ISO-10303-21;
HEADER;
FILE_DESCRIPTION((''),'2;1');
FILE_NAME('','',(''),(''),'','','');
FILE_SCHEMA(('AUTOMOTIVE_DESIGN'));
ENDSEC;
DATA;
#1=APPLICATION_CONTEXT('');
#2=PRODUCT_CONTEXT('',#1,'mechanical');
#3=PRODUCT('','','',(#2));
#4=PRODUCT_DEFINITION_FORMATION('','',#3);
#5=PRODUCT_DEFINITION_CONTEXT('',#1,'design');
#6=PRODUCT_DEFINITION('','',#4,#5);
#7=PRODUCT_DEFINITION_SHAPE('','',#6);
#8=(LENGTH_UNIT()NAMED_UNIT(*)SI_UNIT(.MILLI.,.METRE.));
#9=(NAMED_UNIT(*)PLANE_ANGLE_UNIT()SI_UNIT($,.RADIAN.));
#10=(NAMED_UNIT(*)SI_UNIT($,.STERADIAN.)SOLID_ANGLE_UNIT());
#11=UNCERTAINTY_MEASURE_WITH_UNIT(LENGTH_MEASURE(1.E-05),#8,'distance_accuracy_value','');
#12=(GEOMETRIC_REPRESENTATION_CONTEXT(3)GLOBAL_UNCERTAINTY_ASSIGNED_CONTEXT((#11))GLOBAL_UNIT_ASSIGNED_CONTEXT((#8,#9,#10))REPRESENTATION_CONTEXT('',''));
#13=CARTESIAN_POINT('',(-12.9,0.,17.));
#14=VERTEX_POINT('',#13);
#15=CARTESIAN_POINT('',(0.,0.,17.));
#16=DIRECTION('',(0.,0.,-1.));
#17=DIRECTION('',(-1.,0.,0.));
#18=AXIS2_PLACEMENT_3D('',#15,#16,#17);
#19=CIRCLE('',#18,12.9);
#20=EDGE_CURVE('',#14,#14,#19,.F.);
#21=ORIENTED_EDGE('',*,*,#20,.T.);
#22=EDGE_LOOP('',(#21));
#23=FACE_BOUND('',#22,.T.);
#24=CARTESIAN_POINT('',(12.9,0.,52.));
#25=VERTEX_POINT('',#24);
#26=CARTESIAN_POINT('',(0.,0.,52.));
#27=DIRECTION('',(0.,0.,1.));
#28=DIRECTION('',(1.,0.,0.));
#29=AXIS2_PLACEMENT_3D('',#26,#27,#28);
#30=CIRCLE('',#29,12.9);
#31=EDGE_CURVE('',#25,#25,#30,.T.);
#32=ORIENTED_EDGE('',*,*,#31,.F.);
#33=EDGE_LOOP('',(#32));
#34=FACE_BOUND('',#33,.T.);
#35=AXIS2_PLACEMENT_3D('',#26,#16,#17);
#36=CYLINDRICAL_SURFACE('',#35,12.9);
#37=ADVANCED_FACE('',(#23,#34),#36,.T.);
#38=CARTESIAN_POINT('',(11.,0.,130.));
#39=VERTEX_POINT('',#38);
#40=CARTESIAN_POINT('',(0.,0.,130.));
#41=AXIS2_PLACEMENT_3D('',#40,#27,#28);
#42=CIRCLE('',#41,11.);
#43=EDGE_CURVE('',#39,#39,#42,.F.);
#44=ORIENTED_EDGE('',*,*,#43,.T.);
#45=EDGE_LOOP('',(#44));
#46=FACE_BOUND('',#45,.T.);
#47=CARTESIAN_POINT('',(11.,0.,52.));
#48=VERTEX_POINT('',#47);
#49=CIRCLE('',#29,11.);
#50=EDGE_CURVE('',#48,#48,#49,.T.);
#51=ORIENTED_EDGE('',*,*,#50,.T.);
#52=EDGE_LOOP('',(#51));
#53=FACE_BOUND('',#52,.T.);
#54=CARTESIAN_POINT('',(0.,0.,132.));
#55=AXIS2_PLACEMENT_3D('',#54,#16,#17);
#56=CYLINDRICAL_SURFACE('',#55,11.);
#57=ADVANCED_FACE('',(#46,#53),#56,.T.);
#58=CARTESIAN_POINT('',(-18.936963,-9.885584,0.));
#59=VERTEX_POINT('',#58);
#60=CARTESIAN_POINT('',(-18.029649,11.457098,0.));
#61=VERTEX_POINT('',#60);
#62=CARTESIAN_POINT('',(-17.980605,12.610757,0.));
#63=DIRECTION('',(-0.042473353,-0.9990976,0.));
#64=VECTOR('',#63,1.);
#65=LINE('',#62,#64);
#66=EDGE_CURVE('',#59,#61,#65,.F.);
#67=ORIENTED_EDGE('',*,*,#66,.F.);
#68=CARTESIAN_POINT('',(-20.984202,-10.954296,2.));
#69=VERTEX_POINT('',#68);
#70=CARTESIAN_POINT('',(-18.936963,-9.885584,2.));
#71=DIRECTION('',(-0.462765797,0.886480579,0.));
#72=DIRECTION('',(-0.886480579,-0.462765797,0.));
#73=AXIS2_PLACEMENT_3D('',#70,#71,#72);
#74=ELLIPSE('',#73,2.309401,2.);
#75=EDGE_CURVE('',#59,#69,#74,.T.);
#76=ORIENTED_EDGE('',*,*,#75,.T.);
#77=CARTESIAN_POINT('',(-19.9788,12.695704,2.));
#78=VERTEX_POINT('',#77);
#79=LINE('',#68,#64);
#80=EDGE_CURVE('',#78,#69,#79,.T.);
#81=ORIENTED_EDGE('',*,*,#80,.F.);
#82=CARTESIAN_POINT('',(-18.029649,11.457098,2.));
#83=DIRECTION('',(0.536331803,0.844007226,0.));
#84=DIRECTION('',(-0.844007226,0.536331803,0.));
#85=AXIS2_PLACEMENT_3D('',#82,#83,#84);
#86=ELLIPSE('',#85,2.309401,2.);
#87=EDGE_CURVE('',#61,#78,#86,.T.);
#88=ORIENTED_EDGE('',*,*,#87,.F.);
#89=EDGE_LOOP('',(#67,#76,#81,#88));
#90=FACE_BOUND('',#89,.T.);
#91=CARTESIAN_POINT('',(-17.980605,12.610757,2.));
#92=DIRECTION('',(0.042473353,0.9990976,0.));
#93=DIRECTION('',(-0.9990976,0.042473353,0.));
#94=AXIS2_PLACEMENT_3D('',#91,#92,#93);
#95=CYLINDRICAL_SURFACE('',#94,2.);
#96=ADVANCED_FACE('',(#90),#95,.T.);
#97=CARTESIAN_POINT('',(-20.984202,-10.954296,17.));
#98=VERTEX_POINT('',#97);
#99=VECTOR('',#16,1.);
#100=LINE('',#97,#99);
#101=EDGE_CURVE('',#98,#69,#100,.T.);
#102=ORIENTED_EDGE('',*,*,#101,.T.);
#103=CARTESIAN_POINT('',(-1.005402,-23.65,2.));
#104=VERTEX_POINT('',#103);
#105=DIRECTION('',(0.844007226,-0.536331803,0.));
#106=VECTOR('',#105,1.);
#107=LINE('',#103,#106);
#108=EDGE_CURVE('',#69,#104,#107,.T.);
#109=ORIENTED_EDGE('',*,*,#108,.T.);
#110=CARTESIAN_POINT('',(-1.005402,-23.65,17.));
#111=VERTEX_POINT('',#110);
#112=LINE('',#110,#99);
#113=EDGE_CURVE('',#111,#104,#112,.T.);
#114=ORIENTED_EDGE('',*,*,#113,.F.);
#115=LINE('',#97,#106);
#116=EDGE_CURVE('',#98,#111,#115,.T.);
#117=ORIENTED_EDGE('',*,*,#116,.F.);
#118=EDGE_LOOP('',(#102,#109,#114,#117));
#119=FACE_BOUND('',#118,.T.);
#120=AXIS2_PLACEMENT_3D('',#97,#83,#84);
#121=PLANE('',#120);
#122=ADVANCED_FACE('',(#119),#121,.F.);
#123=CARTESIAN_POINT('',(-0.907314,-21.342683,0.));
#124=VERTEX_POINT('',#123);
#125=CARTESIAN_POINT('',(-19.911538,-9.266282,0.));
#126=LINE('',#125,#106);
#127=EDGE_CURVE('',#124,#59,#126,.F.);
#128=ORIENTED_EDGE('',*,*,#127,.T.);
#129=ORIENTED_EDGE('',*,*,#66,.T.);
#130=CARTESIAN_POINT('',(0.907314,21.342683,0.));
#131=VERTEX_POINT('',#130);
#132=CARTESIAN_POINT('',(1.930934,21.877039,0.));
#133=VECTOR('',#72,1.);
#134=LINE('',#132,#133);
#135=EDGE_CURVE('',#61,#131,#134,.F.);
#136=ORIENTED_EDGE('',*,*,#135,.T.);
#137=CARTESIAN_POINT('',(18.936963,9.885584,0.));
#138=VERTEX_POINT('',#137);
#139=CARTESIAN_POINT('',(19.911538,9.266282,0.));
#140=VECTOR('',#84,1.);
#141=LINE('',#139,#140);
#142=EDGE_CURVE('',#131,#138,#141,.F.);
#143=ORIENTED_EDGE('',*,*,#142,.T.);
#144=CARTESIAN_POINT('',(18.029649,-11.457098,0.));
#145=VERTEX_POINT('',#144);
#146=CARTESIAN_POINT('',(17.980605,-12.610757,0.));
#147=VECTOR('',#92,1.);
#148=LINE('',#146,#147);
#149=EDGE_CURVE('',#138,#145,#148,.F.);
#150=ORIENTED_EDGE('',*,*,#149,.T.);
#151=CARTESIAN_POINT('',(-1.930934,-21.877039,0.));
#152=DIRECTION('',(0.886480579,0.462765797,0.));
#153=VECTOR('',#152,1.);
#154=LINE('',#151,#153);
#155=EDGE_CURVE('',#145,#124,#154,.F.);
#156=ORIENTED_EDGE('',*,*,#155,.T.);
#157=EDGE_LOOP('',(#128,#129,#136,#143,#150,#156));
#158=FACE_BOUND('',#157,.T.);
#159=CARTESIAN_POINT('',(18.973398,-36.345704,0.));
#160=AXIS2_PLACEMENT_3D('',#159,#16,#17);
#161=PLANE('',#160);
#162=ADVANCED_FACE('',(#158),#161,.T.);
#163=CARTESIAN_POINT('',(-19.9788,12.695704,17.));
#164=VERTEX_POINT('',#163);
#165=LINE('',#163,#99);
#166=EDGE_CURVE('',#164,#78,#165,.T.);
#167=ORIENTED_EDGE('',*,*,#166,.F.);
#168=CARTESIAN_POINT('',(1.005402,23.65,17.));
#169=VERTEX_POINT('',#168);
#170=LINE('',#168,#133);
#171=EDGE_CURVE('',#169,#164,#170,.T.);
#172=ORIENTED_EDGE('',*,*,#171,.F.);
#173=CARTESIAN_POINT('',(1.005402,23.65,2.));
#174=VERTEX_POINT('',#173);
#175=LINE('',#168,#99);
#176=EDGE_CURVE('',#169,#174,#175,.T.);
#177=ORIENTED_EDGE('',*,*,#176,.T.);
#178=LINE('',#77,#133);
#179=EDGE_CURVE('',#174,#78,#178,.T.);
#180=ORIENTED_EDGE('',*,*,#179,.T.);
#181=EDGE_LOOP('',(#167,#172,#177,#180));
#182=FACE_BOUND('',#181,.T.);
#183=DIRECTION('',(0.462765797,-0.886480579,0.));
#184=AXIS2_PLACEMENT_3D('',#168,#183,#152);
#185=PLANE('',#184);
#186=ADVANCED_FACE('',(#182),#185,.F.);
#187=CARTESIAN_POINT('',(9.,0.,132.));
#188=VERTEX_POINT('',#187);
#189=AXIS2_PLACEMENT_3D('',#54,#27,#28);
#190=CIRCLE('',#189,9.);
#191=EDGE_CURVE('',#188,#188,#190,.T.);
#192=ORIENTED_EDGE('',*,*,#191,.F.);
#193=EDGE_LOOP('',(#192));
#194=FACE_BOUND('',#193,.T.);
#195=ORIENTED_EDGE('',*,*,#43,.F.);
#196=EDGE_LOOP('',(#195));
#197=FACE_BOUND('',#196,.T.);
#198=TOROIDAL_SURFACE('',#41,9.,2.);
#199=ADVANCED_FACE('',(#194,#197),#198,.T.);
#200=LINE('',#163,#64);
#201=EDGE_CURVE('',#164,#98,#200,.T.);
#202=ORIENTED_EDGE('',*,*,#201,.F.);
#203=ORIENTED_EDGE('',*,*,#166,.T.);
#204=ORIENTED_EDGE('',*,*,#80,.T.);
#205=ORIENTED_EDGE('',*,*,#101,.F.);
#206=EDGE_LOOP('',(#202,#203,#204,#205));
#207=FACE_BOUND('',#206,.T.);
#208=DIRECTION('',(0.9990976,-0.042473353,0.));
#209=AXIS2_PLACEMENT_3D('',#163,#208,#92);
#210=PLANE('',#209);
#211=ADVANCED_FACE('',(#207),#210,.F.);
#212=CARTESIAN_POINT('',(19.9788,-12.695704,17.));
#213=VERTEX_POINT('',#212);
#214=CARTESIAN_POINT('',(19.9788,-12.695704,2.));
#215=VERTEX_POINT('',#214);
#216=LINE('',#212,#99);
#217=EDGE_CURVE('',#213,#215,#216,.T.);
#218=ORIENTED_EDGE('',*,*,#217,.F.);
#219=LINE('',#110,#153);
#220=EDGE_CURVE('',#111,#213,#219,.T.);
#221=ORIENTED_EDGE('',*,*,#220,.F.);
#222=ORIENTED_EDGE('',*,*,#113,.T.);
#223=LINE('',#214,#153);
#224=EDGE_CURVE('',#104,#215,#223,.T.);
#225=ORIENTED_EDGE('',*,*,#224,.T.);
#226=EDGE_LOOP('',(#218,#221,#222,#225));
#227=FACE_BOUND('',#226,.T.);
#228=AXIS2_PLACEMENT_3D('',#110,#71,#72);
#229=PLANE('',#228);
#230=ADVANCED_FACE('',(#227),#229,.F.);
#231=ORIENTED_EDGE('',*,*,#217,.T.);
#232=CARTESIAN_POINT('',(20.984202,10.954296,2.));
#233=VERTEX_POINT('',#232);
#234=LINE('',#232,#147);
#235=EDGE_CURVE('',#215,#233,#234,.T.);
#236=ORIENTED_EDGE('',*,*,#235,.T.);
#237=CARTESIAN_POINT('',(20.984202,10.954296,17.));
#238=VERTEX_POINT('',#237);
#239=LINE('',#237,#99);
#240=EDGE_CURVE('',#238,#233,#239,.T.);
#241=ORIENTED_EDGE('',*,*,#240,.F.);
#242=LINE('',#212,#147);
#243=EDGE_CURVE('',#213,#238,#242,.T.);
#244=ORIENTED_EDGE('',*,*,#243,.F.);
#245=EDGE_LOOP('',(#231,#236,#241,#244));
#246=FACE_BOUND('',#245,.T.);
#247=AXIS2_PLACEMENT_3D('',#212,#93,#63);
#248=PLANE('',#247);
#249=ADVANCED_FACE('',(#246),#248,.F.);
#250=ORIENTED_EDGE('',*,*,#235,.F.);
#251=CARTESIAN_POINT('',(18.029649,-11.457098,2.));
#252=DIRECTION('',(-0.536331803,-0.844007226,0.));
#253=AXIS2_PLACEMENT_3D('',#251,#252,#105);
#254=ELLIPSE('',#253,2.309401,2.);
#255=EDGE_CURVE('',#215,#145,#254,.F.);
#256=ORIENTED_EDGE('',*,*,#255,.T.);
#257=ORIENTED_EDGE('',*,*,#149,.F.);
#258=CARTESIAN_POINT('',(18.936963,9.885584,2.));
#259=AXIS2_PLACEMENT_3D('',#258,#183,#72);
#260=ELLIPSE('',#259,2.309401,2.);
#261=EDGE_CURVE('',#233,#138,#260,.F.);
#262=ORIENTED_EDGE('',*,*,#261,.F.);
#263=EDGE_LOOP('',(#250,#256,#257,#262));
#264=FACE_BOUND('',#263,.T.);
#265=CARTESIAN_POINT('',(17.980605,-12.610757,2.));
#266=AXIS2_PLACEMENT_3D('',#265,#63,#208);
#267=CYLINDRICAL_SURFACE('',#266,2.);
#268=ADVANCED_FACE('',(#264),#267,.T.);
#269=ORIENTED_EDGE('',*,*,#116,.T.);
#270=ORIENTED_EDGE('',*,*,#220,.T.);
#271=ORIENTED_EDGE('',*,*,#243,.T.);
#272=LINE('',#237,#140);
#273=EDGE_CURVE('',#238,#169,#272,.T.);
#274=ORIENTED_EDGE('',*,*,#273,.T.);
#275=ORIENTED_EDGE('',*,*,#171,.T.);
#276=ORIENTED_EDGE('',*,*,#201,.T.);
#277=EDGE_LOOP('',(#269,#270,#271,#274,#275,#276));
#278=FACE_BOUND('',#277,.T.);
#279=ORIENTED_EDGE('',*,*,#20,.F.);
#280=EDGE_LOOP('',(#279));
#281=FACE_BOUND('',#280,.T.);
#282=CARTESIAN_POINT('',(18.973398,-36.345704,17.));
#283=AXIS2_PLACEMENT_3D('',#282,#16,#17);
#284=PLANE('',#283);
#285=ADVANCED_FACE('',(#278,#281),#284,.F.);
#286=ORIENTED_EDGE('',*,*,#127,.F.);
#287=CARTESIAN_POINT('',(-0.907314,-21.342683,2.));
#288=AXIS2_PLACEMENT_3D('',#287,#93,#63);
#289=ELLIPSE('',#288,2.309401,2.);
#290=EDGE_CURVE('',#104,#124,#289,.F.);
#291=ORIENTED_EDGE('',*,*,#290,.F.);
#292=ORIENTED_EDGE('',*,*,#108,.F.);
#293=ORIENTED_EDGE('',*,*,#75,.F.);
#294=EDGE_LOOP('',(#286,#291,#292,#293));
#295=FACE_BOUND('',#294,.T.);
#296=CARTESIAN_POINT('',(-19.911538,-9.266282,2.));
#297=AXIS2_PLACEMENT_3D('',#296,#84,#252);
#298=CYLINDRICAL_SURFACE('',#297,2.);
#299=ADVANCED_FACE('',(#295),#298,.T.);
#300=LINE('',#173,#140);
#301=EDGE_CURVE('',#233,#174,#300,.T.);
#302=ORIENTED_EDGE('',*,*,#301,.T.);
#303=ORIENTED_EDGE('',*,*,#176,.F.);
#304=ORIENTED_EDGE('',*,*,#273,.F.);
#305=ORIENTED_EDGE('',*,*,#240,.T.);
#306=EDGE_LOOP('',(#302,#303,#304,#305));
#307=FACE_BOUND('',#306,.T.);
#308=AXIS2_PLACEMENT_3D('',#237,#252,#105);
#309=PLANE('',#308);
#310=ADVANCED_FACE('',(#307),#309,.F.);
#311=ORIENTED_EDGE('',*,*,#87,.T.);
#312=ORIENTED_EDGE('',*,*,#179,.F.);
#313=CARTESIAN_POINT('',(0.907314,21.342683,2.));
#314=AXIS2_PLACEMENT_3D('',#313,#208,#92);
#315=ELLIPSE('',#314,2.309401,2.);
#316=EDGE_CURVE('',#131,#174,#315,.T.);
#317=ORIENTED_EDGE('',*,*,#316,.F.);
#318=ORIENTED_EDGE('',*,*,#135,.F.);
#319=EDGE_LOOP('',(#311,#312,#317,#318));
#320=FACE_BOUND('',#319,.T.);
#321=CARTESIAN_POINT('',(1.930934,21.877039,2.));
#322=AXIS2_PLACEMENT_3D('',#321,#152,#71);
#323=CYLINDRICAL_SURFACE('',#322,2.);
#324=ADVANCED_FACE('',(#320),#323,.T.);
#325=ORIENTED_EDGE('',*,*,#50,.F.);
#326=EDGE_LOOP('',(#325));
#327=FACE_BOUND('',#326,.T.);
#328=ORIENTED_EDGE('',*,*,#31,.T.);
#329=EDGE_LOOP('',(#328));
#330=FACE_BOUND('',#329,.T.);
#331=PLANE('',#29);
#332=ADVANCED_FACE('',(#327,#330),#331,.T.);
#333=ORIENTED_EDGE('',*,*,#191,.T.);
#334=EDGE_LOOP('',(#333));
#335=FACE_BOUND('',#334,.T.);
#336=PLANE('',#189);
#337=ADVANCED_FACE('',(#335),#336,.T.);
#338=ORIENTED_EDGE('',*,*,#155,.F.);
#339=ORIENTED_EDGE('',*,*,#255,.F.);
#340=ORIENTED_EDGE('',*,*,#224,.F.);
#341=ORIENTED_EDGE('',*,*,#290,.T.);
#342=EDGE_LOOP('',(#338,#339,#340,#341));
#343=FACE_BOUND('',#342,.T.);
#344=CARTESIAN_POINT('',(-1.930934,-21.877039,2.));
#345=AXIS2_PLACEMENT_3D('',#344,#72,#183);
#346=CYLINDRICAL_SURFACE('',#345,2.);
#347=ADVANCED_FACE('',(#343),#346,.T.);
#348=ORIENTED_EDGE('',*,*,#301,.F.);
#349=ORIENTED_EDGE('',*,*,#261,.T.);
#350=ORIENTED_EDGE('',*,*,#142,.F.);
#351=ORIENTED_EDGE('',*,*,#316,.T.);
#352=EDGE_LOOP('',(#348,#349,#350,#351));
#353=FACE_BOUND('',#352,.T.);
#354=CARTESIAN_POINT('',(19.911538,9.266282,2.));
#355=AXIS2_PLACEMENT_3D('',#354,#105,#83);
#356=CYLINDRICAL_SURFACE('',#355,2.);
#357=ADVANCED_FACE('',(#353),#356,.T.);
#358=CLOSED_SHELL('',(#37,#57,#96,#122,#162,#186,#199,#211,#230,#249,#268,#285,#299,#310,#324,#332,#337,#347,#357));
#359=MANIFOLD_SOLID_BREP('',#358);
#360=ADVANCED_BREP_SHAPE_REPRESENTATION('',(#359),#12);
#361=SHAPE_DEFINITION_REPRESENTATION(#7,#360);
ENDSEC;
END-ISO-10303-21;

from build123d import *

# Parameters (mm, degrees)
EXTRUDE_276_DEPTH = 17
SKETCH_2_R        = 12.9
EXTRUDE_1_DEPTH   = 35
FILLET_3_R        = 2
SKETCH_3_R        = 11
EXTRUDE_2_DEPTH   = 80
FILLET_4_R        = 2


with BuildPart() as part:
    # 草图1 → Extrude 276 (new body)
    with BuildSketch(Plane.XY):
        Polygon((20.984201837, 10.954296262), (1.005402075, 23.65), (-19.978799762, 12.695703738), (-20.984201837, -10.954296262), (-1.005402075, -23.65), (19.978799762, -12.695703738), align=None)
    extrude(amount=EXTRUDE_276_DEPTH)

    # 草图2 → 凸台-拉伸1 (add)
    with BuildSketch(Plane.XY.offset(17)):
        with Locations(Location((0, 0, 0), (0, 0, 180))):
            Circle(SKETCH_2_R)
    extrude(amount=EXTRUDE_1_DEPTH)

    # 圆角3
    fillet_3_edges = [part.edges().sort_by_distance(p)[0] for p in [
        (9.486698843, -18.172851869, 0),
        (-10.994801956, -17.302148131, 0),
        (-20.4815008, 0.870703738, 0),
        (-9.486698843, 18.172851869, 0),
        (10.994801956, 17.302148131, 0),
        (20.4815008, -0.870703738, 0),
    ]]
    fillet(fillet_3_edges, radius=FILLET_3_R)

    # 草图3 → 凸台-拉伸2 (add)
    with BuildSketch(Plane.XY.offset(52)):
        Circle(SKETCH_3_R)
    extrude(amount=EXTRUDE_2_DEPTH)

    # 圆角4
    fillet_4_edges = [part.edges().sort_by_distance(p)[0] for p in [
        (-11, 0, 132),
    ]]
    fillet(fillet_4_edges, radius=FILLET_4_R)


solid = part.part
